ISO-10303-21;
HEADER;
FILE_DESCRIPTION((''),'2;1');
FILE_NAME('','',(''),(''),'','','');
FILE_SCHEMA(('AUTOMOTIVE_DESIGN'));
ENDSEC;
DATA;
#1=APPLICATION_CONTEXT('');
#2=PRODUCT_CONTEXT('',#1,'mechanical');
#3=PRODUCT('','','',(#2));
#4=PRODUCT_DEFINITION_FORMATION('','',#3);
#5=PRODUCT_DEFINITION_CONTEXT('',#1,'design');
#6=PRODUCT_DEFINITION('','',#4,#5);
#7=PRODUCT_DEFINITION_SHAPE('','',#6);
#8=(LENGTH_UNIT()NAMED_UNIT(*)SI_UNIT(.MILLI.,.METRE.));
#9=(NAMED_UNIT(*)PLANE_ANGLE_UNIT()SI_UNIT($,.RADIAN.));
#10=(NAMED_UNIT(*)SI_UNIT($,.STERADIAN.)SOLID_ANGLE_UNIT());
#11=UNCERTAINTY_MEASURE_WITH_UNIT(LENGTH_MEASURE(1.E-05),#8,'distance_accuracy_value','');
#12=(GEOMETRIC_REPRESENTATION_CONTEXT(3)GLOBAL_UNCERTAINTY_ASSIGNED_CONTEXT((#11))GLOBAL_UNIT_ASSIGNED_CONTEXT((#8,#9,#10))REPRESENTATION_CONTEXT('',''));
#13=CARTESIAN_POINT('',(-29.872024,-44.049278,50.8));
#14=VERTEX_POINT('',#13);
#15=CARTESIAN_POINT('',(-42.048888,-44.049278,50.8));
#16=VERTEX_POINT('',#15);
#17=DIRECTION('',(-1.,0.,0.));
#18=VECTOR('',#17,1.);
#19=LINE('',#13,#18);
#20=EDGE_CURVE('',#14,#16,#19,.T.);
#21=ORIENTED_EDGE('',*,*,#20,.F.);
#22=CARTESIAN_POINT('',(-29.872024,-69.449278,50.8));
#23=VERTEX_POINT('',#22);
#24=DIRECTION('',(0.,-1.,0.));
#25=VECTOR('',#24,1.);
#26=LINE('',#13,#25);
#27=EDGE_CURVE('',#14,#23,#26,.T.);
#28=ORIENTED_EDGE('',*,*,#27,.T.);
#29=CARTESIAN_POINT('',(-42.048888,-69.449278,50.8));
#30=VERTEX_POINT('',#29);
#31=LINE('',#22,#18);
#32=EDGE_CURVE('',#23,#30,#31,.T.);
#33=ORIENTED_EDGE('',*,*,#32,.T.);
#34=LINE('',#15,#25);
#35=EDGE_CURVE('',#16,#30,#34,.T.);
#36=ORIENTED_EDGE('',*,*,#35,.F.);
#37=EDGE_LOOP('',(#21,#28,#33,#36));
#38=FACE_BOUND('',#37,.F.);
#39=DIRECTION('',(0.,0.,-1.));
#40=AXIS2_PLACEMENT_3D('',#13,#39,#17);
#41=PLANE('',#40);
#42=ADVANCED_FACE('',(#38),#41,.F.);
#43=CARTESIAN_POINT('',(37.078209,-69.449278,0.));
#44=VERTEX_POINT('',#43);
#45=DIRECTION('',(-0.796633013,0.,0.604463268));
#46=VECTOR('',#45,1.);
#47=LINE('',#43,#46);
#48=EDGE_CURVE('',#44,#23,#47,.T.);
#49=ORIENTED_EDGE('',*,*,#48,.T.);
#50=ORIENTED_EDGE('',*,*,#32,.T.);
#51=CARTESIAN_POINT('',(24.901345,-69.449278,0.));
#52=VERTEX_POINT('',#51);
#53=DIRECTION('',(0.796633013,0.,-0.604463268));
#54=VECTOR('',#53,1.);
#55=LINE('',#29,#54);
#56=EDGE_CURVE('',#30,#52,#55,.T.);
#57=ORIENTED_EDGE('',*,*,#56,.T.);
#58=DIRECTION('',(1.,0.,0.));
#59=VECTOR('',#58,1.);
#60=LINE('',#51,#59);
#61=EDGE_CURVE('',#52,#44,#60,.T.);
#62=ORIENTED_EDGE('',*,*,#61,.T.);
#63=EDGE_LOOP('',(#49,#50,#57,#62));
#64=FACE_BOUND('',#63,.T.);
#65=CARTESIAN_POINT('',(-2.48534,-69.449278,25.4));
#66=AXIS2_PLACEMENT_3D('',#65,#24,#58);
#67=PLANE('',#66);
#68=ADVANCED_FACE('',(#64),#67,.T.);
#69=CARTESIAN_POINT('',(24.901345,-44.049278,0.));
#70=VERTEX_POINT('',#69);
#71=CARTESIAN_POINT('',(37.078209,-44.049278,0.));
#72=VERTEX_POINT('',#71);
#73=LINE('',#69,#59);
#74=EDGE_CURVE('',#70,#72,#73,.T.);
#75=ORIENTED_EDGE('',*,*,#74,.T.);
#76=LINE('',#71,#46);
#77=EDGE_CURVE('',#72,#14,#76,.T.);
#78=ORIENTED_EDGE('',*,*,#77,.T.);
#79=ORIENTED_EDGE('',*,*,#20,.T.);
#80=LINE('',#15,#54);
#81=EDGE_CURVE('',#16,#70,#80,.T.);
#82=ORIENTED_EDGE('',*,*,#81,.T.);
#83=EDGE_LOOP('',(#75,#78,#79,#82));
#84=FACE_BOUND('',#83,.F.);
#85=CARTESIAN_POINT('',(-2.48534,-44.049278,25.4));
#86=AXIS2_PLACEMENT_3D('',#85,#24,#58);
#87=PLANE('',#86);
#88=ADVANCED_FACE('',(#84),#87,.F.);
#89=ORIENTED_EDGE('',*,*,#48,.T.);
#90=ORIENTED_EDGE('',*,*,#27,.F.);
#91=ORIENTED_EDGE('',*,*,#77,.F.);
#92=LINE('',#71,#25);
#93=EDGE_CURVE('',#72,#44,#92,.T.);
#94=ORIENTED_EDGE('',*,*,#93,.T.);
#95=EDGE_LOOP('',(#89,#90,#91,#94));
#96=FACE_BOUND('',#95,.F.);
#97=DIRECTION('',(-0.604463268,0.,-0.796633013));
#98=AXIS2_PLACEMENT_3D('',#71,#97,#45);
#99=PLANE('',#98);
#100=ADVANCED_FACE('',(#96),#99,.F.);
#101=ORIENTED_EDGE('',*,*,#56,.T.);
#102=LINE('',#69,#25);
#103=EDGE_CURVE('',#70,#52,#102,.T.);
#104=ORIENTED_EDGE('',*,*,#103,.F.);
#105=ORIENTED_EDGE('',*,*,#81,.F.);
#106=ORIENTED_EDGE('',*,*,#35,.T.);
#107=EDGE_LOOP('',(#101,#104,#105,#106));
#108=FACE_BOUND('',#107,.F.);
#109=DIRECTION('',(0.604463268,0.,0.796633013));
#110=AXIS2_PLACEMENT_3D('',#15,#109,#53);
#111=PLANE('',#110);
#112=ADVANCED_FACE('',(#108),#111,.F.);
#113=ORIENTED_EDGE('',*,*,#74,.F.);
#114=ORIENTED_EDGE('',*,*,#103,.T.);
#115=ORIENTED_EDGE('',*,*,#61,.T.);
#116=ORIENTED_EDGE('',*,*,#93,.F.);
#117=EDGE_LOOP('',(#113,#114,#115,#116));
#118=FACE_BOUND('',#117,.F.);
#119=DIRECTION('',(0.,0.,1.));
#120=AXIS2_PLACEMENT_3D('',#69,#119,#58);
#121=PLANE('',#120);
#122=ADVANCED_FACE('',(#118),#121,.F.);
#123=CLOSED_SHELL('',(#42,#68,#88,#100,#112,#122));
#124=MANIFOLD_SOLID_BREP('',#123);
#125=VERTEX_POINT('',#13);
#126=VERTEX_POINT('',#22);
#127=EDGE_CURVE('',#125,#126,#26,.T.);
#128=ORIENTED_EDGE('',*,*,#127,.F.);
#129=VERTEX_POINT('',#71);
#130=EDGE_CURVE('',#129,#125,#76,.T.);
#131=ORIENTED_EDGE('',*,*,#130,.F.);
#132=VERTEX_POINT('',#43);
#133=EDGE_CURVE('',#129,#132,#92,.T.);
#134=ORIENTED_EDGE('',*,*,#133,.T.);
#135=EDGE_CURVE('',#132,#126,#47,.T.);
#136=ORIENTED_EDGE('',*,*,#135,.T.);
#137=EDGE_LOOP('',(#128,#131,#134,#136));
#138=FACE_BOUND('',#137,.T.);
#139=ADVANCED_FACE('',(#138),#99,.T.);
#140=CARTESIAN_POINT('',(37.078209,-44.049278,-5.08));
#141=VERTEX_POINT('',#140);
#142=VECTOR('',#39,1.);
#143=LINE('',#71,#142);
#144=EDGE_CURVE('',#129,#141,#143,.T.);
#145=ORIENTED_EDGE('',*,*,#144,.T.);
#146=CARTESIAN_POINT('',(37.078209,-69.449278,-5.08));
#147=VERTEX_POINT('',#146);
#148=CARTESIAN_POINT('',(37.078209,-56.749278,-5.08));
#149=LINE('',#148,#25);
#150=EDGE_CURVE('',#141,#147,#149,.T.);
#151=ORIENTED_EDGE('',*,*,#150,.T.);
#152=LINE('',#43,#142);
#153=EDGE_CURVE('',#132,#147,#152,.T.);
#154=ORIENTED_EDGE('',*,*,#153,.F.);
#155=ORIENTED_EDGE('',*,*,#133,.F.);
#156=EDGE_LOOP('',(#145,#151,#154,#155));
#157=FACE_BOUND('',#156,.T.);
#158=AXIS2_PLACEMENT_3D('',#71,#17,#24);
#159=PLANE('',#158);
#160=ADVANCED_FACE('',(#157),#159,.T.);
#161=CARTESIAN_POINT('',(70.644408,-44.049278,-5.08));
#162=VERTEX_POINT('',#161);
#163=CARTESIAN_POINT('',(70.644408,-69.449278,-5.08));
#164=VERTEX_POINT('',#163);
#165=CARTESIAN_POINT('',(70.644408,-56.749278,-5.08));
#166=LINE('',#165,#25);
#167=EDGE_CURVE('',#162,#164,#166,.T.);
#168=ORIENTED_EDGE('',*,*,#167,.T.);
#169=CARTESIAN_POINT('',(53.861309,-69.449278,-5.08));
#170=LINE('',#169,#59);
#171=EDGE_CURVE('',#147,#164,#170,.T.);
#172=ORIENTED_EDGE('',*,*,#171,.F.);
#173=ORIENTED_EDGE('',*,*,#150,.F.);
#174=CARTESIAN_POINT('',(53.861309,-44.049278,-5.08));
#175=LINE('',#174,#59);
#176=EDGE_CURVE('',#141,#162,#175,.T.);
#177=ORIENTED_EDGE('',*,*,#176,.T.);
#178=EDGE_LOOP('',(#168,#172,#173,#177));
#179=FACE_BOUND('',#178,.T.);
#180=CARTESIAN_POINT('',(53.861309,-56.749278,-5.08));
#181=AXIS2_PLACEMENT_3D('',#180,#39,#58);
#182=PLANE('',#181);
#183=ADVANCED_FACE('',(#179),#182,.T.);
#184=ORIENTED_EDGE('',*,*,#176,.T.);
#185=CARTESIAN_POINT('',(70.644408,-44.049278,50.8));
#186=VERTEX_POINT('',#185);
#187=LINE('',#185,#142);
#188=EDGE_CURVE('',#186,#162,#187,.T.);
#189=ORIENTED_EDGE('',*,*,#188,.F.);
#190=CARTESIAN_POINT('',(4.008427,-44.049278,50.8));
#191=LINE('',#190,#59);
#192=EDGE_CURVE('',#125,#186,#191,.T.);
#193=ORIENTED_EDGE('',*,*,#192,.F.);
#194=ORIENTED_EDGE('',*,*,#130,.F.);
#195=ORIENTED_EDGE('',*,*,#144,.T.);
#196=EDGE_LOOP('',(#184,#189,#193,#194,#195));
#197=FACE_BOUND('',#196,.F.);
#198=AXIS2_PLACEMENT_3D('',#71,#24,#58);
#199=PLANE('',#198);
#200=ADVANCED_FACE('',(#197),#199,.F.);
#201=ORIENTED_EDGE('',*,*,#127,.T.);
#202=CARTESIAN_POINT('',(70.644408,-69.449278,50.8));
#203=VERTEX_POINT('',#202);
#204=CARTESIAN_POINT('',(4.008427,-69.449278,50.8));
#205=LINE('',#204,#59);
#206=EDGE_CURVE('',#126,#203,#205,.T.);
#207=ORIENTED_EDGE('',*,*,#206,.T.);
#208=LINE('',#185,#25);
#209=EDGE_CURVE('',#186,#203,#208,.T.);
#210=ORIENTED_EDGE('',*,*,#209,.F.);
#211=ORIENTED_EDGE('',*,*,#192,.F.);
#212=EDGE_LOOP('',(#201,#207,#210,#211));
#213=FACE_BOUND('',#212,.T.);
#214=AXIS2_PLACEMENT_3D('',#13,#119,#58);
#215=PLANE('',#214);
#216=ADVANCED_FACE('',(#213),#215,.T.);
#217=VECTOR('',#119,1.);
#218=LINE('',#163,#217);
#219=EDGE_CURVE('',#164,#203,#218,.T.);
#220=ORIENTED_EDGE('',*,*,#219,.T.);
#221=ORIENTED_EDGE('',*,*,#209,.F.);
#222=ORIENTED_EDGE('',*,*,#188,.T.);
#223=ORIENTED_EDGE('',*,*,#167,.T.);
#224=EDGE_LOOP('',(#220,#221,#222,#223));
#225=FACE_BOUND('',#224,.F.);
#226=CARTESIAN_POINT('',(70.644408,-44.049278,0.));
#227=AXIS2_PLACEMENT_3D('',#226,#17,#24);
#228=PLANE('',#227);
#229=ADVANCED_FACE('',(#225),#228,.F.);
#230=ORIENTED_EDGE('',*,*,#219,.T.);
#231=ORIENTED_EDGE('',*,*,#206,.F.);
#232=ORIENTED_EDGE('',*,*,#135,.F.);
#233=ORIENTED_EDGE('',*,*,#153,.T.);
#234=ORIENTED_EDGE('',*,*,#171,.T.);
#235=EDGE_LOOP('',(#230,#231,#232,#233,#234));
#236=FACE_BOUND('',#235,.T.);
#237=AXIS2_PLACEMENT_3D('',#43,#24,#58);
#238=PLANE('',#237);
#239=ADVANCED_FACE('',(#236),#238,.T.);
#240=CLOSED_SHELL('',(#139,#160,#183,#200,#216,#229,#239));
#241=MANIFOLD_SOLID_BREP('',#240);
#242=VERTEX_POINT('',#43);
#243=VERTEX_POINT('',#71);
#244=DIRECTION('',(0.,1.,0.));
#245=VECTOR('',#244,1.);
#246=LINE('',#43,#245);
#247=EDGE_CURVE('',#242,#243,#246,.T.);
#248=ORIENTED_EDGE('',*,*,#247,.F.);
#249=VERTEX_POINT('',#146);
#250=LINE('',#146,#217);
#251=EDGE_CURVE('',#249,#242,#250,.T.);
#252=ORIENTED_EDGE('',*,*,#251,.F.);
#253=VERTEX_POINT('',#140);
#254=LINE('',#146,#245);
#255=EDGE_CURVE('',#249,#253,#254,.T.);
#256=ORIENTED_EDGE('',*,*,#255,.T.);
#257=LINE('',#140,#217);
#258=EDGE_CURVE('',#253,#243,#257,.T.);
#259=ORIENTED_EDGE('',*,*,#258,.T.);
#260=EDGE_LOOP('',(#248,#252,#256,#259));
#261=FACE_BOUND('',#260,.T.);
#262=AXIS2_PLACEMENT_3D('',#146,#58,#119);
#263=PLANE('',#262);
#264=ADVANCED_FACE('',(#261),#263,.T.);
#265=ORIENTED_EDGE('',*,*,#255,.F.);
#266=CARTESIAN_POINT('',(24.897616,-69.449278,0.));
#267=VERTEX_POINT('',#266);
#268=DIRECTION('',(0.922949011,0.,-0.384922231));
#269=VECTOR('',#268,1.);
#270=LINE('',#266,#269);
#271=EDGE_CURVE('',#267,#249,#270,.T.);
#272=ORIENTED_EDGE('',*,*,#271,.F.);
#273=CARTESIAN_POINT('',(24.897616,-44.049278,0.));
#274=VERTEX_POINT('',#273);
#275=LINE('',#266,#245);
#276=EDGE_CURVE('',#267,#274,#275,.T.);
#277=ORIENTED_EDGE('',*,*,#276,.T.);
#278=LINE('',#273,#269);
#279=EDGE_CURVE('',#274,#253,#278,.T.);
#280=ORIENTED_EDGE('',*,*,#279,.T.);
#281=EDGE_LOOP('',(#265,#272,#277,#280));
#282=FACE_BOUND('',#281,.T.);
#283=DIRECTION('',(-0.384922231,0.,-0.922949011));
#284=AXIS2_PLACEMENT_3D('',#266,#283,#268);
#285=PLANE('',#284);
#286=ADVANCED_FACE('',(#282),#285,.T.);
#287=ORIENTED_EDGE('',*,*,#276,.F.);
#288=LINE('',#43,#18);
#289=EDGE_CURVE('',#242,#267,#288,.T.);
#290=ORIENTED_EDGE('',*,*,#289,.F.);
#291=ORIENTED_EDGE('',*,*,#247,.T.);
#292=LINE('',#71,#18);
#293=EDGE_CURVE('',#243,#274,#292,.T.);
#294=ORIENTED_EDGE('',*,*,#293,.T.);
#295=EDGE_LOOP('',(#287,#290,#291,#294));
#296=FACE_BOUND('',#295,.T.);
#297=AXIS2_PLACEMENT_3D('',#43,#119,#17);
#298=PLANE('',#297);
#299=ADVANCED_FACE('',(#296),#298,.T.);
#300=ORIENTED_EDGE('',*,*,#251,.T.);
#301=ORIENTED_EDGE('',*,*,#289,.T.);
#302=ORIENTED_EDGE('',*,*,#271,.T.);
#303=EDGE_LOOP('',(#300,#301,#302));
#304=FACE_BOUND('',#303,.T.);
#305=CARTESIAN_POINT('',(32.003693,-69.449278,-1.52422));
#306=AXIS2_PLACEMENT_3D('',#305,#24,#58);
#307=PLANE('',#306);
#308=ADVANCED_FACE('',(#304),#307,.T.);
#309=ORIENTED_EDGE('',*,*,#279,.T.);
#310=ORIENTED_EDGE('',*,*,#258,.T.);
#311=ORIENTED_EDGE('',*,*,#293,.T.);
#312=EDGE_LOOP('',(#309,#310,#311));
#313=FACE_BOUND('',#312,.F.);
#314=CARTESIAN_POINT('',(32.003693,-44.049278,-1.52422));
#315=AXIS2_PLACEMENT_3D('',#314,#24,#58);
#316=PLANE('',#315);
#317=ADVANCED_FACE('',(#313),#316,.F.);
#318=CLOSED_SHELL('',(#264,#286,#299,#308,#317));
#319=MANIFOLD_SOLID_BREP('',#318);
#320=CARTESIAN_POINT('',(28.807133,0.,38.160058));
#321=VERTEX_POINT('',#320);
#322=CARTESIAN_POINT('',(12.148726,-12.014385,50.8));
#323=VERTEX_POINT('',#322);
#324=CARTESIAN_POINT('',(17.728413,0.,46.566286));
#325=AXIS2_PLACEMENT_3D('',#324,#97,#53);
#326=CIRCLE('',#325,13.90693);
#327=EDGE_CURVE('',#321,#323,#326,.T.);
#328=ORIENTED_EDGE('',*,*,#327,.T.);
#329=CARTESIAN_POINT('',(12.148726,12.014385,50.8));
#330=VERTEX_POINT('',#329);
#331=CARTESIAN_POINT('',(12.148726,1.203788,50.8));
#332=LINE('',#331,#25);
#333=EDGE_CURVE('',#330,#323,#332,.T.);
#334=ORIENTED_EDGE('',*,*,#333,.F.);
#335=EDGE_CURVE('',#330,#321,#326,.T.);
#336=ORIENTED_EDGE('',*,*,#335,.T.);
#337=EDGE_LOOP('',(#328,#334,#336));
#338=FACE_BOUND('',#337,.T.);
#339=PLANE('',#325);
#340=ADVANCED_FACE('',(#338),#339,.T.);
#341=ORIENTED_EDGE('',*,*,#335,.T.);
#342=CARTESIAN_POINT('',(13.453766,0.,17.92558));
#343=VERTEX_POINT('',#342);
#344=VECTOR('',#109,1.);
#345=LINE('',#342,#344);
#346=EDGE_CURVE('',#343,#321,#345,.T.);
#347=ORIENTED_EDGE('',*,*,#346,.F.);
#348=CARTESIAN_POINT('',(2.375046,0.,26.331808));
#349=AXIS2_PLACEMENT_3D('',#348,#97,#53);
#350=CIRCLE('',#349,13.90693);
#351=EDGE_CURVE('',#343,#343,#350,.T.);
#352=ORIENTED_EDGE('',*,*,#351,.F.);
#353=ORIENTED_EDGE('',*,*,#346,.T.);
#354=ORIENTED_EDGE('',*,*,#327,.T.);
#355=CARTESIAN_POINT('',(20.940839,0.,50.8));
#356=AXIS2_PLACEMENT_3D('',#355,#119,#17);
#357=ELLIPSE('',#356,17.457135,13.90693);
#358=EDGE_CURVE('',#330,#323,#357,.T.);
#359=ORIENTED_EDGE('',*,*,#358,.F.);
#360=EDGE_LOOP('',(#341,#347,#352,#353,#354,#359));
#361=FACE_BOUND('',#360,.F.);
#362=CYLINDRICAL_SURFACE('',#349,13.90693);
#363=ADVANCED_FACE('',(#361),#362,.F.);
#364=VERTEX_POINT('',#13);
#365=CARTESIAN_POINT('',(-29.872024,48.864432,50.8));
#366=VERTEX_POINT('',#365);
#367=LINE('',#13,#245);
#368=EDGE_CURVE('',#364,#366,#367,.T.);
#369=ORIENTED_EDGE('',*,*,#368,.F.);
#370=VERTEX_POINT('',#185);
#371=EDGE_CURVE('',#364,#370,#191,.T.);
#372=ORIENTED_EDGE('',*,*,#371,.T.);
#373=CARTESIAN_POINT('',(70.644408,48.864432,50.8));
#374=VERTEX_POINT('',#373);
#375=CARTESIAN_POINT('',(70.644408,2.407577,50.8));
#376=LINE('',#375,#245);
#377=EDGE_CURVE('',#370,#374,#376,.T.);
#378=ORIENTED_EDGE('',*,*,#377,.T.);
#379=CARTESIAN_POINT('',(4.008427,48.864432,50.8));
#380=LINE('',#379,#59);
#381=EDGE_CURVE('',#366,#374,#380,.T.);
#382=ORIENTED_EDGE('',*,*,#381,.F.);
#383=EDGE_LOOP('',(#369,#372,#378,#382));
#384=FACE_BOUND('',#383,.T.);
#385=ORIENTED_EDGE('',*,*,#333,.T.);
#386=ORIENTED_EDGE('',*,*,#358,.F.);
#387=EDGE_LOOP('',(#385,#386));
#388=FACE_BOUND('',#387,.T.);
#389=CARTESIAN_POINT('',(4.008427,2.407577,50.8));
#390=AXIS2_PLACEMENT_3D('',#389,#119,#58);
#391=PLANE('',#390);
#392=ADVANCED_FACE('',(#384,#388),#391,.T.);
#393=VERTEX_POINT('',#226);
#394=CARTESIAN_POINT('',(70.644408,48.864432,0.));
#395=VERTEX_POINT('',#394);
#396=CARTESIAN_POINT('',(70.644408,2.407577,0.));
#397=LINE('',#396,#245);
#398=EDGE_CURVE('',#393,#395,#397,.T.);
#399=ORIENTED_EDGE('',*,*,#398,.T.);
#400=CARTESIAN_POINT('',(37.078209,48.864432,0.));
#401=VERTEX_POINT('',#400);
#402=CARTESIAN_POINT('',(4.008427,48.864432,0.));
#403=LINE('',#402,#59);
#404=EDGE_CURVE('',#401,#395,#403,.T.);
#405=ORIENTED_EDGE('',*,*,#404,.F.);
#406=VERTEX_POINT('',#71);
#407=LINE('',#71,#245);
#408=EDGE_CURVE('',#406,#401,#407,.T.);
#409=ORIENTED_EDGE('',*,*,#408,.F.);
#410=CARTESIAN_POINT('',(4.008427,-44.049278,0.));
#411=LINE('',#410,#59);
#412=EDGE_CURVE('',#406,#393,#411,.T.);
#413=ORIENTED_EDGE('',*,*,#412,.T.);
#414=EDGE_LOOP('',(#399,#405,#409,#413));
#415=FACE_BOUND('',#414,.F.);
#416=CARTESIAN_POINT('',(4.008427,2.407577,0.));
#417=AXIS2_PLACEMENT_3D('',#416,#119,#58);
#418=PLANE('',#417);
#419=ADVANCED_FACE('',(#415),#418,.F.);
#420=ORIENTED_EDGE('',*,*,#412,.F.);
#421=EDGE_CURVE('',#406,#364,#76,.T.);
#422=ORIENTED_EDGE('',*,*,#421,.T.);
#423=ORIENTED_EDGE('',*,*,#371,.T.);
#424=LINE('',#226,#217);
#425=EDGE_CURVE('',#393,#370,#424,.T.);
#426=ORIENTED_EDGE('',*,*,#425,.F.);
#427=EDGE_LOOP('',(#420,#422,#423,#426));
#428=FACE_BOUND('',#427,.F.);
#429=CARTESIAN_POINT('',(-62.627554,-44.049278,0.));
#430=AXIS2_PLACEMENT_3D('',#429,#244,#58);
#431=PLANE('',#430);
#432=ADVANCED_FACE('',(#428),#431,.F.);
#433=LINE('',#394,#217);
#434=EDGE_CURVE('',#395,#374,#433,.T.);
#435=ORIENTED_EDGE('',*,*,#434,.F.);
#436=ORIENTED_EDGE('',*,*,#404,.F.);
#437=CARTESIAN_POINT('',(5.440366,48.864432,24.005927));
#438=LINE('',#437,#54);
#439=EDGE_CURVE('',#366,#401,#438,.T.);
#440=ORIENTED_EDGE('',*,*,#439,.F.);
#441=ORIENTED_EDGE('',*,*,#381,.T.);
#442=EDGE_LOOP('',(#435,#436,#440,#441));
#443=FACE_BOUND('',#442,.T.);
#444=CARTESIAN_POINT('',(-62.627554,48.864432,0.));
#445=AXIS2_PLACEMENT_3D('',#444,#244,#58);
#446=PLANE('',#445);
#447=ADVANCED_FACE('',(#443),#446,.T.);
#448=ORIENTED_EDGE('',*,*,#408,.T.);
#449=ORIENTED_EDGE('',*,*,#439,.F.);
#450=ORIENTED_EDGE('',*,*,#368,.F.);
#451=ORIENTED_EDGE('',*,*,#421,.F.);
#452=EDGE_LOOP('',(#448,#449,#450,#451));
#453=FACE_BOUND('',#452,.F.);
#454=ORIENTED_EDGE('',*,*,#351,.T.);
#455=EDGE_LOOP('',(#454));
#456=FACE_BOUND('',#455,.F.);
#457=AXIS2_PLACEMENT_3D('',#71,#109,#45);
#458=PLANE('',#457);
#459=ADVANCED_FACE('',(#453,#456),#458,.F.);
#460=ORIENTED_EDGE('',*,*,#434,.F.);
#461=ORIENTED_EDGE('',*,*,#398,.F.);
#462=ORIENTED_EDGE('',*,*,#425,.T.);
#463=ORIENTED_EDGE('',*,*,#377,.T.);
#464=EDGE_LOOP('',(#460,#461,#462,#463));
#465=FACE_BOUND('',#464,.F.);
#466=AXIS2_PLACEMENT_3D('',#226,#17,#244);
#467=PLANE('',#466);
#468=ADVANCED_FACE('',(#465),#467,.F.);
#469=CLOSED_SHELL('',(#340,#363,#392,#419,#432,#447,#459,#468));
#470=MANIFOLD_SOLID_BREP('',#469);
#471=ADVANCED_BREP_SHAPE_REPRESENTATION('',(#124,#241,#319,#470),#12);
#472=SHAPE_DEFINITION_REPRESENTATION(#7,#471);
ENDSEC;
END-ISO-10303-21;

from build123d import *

# Parameters (mm, degrees)
F0_W      = 133.2719624043
F0_H      = 92.9137095809
F1_DEPTH  = 50.8
F3_DEPTH  = 127
F5_DEPTH  = 25.4
F6_DEPTH  = 25.4
F7_R      = 13.9069299175
F8_DEPTH  = 25.4
F9_W      = 33.5661992431
F9_H      = 25.4
F10_DEPTH = 5.08
F12_DEPTH = 25.4


with BuildPart() as f1:
    # F0 (on Top) → F1 (new body)
    with BuildSketch(Plane.XY):
        with Locations((4.0084272623, 2.4075768888)):
            Rectangle(F0_W, F0_H)
    extrude(amount=F1_DEPTH)

    # F2 (on face) → F3 (cut)
    with BuildSketch(Plane.XZ.offset(44.0492779016)):
        Polygon((37.0782092214, 0), (-29.8720244318, 50.8), (-62.6275539398, 50.8), (-62.6275539398, 0), align=None)
    extrude(amount=-F3_DEPTH, mode=Mode.SUBTRACT)


with BuildPart() as f5:
    # F4 (on face) → F5 (new body)
    with BuildSketch(Plane.XZ.offset(44.0492779016)):
        Polygon((37.0782092214, 0), (-29.8720244318, 50.8), (-42.048888281, 50.8), (24.9013453722, 0), align=None)
    extrude(amount=F5_DEPTH)


with BuildPart() as f6:
    # F6 (new): a face of the model
    f6_faces = [f1.part.faces().sort_by_distance(p)[0] for p in [
        (34.3379473054, -44.0492779016, 29.6275819213),
    ]]
    extrude(f6_faces, amount=F6_DEPTH)

    # F9 (on face) → F10 (join)
    with BuildSketch(Plane(origin=(0, 0, 0), x_dir=(1, 0, 0), z_dir=(0, 0, -1))):
        with Locations((53.8613088429, 56.7492779016)):
            Rectangle(F9_W, F9_H)
    extrude(amount=F10_DEPTH)


with BuildPart() as f1_1:
    add(f1.part)

    # F7 (on face) → F8 (cut)
    with BuildSketch(Plane(origin=(13.5474819448, 0, 17.8544701105), x_dir=(0.7966330129, 0, -0.6044632684), z_dir=(-0.6044632684, 0, -0.7966330129))):
        with Locations((-14.0245705843, 0)):
            Circle(F7_R)
    extrude(amount=-F8_DEPTH, mode=Mode.SUBTRACT)


with BuildPart() as f12:
    # F11 (on face) → F12 (new body)
    with BuildSketch(Plane.XZ.offset(69.4492779016)):
        Polygon((37.0782092214, 0), (24.8976163566, 0), (37.0782092214, -5.08), align=None)
    extrude(amount=-F12_DEPTH)


solid = Compound([f5.part, f6.part, f1_1.part, f12.part])
